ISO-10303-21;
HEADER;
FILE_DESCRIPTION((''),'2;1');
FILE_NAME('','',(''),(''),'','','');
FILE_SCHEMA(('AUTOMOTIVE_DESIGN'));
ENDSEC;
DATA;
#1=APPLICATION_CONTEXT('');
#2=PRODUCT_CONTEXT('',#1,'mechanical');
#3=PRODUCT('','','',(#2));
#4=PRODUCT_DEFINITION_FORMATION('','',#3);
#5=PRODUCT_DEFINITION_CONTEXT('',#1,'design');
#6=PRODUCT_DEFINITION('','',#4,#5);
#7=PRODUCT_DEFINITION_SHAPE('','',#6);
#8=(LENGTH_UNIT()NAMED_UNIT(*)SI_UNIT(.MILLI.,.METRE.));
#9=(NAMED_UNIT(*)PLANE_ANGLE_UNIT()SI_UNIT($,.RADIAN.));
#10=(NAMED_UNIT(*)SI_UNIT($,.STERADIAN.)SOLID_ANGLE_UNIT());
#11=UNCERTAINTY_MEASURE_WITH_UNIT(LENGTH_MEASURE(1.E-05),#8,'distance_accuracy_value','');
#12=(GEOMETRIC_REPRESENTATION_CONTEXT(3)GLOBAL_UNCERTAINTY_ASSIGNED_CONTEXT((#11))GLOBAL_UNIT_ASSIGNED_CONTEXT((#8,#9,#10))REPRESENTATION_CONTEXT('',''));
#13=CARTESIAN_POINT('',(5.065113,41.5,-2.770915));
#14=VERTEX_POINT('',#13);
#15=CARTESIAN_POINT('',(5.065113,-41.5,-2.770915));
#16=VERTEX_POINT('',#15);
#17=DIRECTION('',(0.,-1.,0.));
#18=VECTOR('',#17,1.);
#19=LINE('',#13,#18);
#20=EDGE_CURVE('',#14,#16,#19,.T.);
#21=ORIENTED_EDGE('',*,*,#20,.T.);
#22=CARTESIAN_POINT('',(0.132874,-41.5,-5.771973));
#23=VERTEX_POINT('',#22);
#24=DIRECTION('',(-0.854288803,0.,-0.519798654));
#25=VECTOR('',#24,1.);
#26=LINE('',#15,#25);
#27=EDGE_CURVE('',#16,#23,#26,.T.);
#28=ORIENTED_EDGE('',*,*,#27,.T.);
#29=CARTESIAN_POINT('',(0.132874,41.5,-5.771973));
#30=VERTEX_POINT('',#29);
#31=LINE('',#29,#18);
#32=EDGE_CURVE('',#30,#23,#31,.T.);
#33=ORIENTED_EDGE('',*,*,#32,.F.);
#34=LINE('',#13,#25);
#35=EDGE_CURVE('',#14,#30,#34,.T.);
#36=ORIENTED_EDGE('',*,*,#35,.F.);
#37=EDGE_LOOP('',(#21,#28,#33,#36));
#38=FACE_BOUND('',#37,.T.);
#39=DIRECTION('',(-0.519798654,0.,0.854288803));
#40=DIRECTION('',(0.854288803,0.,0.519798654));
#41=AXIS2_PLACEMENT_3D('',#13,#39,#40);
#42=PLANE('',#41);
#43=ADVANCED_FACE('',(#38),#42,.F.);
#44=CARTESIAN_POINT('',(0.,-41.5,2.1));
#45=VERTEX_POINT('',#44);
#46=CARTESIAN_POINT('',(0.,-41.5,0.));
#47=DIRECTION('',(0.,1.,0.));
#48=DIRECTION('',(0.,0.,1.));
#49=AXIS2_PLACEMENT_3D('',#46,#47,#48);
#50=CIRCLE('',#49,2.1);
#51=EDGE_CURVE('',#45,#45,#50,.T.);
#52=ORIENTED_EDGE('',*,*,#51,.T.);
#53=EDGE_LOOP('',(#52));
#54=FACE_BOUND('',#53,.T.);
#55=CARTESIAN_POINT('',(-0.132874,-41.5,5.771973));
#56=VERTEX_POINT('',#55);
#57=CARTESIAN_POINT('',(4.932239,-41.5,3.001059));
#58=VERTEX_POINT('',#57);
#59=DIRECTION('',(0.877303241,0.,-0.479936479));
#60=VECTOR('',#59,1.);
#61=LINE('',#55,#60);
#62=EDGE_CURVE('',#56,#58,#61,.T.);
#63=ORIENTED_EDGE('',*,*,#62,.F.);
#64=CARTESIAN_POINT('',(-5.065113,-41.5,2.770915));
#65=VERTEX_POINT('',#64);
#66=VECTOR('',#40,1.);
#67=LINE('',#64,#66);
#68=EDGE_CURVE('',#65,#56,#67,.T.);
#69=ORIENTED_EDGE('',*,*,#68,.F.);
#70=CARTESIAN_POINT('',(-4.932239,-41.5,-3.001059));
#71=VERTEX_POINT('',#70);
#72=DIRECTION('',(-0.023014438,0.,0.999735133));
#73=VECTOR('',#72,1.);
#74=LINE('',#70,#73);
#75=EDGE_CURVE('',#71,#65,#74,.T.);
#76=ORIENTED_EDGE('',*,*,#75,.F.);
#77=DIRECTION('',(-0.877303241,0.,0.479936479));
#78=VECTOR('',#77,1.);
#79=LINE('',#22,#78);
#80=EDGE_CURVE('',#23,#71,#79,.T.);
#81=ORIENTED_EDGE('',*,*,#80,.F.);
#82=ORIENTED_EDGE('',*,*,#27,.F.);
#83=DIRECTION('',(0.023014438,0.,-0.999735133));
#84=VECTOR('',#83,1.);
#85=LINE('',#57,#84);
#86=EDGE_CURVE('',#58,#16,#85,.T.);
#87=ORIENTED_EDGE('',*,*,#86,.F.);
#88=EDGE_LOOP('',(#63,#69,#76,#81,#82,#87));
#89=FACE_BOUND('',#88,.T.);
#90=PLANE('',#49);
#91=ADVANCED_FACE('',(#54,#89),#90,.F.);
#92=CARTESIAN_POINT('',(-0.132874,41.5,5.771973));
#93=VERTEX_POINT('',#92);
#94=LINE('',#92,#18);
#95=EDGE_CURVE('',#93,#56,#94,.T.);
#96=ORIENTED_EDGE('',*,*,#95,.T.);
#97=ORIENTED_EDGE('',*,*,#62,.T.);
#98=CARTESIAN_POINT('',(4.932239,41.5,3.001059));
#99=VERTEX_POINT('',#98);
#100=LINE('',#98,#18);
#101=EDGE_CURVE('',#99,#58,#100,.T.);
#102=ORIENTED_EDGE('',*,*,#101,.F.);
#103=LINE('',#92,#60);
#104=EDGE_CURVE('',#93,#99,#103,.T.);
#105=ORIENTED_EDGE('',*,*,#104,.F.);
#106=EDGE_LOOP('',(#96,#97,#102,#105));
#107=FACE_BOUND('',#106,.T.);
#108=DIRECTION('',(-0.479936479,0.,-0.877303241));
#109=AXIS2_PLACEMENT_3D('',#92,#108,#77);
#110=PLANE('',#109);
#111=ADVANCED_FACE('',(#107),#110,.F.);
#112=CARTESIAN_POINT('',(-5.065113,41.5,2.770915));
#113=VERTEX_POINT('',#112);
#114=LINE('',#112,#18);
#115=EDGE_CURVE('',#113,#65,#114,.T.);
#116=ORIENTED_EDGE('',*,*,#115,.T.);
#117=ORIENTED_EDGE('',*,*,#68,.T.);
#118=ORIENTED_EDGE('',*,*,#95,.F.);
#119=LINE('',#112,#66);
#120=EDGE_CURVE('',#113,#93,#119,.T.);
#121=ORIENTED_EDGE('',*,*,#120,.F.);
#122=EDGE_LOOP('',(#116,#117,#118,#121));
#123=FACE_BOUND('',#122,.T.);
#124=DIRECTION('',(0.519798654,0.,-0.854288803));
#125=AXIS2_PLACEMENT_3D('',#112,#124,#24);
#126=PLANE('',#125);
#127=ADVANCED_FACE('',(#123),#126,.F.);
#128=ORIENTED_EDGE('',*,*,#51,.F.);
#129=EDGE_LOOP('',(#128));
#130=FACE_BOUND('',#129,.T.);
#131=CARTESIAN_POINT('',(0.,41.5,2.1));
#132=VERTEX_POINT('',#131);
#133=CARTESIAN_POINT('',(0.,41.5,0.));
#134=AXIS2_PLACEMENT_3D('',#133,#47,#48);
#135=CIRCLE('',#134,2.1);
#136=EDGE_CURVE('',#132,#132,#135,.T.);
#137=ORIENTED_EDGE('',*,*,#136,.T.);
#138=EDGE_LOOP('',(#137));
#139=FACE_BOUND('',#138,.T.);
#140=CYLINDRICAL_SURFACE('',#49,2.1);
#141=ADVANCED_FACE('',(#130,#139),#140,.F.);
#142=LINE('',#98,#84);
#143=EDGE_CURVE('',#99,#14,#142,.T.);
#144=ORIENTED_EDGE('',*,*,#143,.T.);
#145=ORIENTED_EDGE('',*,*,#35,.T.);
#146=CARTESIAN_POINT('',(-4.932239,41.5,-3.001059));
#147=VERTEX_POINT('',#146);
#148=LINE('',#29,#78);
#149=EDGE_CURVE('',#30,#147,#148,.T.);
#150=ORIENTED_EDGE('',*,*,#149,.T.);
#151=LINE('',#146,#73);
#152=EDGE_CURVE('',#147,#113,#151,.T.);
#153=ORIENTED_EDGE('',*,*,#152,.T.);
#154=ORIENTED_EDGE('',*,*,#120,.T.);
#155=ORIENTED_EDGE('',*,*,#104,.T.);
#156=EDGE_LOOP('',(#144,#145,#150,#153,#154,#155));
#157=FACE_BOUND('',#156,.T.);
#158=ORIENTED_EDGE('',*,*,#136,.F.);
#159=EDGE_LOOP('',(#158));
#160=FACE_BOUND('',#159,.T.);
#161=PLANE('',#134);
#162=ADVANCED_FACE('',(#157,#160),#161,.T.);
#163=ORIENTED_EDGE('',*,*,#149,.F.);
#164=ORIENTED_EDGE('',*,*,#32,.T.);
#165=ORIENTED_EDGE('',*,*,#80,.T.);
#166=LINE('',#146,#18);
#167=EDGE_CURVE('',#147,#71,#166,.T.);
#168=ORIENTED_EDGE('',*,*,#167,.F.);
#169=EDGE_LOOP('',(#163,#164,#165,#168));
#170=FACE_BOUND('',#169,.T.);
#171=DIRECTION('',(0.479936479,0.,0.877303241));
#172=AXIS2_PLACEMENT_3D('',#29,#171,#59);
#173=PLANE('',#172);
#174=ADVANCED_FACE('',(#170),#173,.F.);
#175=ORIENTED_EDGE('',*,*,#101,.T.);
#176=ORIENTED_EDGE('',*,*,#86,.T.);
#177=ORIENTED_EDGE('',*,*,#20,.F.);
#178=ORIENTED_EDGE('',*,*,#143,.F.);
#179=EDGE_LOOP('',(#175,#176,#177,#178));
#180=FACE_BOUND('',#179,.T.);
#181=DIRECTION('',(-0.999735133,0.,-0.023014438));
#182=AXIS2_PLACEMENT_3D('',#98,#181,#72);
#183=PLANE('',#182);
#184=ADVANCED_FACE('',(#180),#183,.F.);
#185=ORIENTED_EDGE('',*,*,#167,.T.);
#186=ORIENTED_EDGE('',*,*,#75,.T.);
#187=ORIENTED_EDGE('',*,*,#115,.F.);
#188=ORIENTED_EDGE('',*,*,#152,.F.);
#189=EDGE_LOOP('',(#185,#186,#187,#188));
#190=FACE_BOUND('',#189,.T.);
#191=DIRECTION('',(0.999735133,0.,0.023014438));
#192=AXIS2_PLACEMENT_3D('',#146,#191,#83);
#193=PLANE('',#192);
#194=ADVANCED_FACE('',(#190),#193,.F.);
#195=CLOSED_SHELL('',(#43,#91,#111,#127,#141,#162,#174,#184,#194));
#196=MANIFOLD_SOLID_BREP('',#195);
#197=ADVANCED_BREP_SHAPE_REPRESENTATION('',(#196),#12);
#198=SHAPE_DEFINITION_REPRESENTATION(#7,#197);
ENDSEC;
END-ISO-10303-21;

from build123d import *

# Parameters (mm, degrees)
BOSS_EXTRUDE1_DEPTH = 41.5
CUT_EXTRUDE1_START  = 41.5
SKETCH1_3_R         = 2.1
CUT_EXTRUDE1_DEPTH  = 84.704514495


with BuildPart() as part:
    # Sketch1 → Boss-Extrude1 (new, symmetric)
    with BuildSketch(Plane(origin=(0, 0, 0), x_dir=(1, 0, 0), z_dir=(0, 1, 0))):
        Polygon((5.065112622, 2.770914552), (0.132873917, 5.77197348), (-4.932238705, 3.001058928), (-5.065112622, -2.770914552), (-0.132873917, -5.77197348), (4.932238705, -3.001058928), align=None)
    extrude(amount=BOSS_EXTRUDE1_DEPTH, both=True)

    # Sketch1<3> → Cut-Extrude1 (cut, through all)
    with BuildSketch(Plane(origin=(0, 0, 0), x_dir=(1, 0, 0), z_dir=(0, 1, 0)).offset(CUT_EXTRUDE1_START)):
        Circle(SKETCH1_3_R)
    extrude(amount=-CUT_EXTRUDE1_DEPTH, mode=Mode.SUBTRACT)


solid = part.part
